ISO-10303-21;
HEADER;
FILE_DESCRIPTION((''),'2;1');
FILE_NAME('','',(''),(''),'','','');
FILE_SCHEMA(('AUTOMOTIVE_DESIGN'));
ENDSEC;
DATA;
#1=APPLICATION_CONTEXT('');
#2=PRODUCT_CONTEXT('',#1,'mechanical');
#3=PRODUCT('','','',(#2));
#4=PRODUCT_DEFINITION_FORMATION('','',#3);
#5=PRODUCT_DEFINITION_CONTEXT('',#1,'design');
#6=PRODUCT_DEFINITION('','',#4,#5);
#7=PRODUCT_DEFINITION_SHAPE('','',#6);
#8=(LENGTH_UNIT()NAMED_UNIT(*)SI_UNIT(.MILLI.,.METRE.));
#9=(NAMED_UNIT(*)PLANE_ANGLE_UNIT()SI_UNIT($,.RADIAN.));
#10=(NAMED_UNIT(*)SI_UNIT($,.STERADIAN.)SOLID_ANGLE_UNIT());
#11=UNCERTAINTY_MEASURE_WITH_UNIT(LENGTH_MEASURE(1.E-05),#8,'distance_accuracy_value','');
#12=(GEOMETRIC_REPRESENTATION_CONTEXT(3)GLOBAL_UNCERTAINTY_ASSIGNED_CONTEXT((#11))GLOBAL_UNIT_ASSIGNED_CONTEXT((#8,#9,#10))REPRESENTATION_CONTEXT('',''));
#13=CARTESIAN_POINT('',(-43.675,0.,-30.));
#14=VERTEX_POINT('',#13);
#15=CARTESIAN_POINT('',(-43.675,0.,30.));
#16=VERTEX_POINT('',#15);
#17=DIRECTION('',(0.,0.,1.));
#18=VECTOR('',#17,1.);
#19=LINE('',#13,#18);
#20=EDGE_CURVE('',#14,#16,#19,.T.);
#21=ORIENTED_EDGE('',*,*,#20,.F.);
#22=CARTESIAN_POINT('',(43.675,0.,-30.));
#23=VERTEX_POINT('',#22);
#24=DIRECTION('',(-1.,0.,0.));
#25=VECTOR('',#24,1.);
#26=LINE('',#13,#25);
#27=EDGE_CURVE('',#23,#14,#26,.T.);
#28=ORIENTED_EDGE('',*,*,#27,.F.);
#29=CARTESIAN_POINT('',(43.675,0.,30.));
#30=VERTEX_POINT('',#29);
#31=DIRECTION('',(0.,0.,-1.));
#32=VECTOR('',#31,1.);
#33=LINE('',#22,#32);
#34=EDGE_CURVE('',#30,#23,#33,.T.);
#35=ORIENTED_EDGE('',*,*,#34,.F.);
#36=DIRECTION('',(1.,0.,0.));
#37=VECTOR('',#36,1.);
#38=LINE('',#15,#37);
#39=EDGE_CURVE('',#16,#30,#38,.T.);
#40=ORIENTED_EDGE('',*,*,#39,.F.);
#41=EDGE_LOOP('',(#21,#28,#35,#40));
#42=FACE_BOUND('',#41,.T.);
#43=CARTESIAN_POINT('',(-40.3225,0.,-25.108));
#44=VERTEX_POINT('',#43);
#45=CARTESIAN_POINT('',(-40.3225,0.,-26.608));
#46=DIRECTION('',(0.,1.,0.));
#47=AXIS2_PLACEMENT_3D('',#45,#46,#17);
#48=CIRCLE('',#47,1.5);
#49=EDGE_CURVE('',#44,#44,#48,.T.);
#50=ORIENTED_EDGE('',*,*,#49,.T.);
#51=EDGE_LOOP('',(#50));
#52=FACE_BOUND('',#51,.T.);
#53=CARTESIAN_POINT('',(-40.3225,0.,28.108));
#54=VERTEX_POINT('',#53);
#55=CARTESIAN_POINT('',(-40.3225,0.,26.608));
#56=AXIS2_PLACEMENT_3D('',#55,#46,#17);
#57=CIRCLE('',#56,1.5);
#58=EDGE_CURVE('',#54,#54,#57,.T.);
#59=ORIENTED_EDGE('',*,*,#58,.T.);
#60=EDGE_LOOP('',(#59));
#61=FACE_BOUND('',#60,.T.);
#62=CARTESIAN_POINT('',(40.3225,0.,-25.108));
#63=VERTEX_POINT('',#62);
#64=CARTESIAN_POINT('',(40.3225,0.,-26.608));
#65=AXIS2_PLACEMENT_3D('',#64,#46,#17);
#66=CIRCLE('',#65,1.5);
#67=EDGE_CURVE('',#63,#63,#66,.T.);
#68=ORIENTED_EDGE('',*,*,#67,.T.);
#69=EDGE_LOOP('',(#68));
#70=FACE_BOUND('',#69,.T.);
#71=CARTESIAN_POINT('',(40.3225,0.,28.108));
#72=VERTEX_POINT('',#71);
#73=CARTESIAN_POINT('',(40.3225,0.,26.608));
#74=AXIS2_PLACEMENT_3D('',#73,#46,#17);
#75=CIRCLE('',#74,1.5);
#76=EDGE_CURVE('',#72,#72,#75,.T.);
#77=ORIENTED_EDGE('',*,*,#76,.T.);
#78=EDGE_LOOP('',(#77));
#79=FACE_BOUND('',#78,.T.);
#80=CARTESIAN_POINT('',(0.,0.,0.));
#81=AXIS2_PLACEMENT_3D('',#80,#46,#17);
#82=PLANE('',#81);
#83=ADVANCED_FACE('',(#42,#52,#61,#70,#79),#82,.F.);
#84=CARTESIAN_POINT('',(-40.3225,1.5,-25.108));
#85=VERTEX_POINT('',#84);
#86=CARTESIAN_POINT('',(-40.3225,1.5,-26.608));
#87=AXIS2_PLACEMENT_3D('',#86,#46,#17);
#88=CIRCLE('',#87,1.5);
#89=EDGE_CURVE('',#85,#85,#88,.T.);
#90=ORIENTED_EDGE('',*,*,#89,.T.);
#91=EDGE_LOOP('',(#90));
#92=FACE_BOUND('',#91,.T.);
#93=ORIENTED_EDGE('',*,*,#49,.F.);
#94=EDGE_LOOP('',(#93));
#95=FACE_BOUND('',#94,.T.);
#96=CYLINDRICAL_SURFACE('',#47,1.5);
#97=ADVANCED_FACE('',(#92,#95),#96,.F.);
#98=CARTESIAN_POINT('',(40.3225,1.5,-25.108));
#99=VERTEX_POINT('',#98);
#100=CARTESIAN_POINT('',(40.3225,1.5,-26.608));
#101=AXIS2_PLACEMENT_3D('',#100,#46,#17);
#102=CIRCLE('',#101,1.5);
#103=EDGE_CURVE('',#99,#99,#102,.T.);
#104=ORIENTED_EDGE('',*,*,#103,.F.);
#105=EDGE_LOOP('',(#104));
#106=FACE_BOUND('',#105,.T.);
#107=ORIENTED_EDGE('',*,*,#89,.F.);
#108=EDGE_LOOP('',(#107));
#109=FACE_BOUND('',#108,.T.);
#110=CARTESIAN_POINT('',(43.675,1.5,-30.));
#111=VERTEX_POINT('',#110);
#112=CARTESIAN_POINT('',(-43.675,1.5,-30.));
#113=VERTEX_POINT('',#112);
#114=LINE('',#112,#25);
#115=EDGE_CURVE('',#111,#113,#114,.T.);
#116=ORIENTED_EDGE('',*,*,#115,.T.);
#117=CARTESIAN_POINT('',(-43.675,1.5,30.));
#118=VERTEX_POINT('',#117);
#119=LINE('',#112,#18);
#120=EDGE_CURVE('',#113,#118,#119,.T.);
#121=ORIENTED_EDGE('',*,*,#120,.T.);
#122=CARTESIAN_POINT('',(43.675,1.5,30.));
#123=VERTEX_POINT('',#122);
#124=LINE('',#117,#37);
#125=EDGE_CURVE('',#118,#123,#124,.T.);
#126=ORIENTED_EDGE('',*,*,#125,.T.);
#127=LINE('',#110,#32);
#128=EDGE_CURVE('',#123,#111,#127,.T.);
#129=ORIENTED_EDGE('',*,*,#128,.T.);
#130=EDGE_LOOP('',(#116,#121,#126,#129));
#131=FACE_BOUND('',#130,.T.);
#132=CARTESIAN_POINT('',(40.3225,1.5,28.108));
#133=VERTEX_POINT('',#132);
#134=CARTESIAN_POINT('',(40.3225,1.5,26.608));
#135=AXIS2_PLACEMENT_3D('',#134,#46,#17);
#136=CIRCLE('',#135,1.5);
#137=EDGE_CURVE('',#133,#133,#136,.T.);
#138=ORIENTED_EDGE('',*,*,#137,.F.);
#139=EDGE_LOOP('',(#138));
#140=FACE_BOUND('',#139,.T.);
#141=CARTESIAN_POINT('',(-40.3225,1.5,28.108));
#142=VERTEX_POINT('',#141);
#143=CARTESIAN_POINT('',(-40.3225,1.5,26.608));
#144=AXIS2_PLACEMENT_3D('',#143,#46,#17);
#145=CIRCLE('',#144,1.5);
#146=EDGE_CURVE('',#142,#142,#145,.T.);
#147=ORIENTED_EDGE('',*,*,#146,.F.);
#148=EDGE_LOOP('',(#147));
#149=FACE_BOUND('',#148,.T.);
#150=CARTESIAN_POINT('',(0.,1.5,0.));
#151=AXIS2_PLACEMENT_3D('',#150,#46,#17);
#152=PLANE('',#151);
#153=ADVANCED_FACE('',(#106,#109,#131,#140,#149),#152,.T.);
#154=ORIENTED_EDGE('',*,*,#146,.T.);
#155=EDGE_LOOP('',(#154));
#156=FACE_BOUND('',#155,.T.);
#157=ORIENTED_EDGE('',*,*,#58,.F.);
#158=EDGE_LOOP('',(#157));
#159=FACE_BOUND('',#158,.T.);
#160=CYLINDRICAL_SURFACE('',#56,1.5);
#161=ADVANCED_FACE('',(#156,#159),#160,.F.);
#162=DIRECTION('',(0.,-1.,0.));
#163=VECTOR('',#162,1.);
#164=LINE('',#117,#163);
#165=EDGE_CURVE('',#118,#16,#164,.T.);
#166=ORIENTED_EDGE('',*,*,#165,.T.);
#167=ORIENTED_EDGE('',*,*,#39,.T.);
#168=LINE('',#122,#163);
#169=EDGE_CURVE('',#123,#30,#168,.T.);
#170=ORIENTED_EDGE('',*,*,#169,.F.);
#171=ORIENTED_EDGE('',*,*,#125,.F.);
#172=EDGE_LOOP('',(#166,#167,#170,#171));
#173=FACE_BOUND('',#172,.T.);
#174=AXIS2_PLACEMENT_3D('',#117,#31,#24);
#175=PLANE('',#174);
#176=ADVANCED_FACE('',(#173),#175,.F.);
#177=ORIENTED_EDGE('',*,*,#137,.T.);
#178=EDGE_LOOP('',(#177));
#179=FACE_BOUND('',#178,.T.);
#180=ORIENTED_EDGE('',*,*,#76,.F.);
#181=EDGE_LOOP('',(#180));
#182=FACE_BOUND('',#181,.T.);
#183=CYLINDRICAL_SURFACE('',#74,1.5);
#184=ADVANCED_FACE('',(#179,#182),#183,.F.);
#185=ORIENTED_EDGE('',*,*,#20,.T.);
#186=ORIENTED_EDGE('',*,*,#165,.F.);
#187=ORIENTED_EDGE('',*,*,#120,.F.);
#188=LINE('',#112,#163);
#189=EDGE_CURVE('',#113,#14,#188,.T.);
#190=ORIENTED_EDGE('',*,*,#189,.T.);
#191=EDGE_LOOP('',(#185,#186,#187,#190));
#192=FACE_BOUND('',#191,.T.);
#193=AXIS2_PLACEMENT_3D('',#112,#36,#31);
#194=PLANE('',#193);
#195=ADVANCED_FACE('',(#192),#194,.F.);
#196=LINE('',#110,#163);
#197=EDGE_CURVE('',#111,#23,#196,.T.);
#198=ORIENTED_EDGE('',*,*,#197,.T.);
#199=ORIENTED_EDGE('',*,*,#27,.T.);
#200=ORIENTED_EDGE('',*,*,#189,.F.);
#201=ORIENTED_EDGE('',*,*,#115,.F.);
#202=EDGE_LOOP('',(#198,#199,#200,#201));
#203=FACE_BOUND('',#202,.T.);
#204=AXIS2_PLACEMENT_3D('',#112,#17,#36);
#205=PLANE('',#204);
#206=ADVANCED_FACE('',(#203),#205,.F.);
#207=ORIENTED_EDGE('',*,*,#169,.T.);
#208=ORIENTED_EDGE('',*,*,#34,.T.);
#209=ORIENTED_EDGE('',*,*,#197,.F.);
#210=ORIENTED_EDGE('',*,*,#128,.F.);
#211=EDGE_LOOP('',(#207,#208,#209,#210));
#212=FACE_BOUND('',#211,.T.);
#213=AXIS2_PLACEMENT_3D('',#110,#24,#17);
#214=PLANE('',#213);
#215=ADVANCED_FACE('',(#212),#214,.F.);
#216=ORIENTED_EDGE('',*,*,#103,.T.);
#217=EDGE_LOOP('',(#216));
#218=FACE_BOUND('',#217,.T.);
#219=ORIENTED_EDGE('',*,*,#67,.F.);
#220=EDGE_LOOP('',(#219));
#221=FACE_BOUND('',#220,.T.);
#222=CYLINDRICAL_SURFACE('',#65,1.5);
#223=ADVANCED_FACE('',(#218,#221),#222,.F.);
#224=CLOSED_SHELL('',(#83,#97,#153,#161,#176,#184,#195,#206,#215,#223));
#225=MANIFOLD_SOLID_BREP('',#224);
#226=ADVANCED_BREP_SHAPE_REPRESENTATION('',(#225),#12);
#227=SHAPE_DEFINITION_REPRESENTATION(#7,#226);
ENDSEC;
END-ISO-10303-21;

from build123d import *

# Parameters (mm, degrees)
SKETCH3_W           = 87.35
SKETCH3_H           = 60
BOSS_EXTRUDE1_DEPTH = 1.5
SKETCH4_R           = 1.5
CUT_EXTRUDE1_DEPTH  = 1.5


with BuildPart() as part:
    # Sketch3 → Boss-Extrude1 (new body)
    with BuildSketch(Plane(origin=(0, 0, 0), x_dir=(1, 0, 0), z_dir=(0, 1, 0))):
        Rectangle(SKETCH3_W, SKETCH3_H)
    extrude(amount=BOSS_EXTRUDE1_DEPTH)

    # Sketch4 → Cut-Extrude1 (cut)
    with BuildSketch(Plane(origin=(0, 1.5, 0), x_dir=(1, 0, 0), z_dir=(0, 1, 0))):
        with Locations(Location((-40.3225, 26.608, 0), (0, 0, 270))):
            Circle(SKETCH4_R)
        with Locations(Location((40.3225, 26.608, 0), (0, 0, 270))):
            Circle(SKETCH4_R)
        with Locations(Location((40.3225, -26.608, 0), (0, 0, 270))):
            Circle(SKETCH4_R)
        with Locations(Location((-40.3225, -26.608, 0), (0, 0, 270))):
            Circle(SKETCH4_R)
    extrude(amount=-CUT_EXTRUDE1_DEPTH, mode=Mode.SUBTRACT)


solid = part.part
